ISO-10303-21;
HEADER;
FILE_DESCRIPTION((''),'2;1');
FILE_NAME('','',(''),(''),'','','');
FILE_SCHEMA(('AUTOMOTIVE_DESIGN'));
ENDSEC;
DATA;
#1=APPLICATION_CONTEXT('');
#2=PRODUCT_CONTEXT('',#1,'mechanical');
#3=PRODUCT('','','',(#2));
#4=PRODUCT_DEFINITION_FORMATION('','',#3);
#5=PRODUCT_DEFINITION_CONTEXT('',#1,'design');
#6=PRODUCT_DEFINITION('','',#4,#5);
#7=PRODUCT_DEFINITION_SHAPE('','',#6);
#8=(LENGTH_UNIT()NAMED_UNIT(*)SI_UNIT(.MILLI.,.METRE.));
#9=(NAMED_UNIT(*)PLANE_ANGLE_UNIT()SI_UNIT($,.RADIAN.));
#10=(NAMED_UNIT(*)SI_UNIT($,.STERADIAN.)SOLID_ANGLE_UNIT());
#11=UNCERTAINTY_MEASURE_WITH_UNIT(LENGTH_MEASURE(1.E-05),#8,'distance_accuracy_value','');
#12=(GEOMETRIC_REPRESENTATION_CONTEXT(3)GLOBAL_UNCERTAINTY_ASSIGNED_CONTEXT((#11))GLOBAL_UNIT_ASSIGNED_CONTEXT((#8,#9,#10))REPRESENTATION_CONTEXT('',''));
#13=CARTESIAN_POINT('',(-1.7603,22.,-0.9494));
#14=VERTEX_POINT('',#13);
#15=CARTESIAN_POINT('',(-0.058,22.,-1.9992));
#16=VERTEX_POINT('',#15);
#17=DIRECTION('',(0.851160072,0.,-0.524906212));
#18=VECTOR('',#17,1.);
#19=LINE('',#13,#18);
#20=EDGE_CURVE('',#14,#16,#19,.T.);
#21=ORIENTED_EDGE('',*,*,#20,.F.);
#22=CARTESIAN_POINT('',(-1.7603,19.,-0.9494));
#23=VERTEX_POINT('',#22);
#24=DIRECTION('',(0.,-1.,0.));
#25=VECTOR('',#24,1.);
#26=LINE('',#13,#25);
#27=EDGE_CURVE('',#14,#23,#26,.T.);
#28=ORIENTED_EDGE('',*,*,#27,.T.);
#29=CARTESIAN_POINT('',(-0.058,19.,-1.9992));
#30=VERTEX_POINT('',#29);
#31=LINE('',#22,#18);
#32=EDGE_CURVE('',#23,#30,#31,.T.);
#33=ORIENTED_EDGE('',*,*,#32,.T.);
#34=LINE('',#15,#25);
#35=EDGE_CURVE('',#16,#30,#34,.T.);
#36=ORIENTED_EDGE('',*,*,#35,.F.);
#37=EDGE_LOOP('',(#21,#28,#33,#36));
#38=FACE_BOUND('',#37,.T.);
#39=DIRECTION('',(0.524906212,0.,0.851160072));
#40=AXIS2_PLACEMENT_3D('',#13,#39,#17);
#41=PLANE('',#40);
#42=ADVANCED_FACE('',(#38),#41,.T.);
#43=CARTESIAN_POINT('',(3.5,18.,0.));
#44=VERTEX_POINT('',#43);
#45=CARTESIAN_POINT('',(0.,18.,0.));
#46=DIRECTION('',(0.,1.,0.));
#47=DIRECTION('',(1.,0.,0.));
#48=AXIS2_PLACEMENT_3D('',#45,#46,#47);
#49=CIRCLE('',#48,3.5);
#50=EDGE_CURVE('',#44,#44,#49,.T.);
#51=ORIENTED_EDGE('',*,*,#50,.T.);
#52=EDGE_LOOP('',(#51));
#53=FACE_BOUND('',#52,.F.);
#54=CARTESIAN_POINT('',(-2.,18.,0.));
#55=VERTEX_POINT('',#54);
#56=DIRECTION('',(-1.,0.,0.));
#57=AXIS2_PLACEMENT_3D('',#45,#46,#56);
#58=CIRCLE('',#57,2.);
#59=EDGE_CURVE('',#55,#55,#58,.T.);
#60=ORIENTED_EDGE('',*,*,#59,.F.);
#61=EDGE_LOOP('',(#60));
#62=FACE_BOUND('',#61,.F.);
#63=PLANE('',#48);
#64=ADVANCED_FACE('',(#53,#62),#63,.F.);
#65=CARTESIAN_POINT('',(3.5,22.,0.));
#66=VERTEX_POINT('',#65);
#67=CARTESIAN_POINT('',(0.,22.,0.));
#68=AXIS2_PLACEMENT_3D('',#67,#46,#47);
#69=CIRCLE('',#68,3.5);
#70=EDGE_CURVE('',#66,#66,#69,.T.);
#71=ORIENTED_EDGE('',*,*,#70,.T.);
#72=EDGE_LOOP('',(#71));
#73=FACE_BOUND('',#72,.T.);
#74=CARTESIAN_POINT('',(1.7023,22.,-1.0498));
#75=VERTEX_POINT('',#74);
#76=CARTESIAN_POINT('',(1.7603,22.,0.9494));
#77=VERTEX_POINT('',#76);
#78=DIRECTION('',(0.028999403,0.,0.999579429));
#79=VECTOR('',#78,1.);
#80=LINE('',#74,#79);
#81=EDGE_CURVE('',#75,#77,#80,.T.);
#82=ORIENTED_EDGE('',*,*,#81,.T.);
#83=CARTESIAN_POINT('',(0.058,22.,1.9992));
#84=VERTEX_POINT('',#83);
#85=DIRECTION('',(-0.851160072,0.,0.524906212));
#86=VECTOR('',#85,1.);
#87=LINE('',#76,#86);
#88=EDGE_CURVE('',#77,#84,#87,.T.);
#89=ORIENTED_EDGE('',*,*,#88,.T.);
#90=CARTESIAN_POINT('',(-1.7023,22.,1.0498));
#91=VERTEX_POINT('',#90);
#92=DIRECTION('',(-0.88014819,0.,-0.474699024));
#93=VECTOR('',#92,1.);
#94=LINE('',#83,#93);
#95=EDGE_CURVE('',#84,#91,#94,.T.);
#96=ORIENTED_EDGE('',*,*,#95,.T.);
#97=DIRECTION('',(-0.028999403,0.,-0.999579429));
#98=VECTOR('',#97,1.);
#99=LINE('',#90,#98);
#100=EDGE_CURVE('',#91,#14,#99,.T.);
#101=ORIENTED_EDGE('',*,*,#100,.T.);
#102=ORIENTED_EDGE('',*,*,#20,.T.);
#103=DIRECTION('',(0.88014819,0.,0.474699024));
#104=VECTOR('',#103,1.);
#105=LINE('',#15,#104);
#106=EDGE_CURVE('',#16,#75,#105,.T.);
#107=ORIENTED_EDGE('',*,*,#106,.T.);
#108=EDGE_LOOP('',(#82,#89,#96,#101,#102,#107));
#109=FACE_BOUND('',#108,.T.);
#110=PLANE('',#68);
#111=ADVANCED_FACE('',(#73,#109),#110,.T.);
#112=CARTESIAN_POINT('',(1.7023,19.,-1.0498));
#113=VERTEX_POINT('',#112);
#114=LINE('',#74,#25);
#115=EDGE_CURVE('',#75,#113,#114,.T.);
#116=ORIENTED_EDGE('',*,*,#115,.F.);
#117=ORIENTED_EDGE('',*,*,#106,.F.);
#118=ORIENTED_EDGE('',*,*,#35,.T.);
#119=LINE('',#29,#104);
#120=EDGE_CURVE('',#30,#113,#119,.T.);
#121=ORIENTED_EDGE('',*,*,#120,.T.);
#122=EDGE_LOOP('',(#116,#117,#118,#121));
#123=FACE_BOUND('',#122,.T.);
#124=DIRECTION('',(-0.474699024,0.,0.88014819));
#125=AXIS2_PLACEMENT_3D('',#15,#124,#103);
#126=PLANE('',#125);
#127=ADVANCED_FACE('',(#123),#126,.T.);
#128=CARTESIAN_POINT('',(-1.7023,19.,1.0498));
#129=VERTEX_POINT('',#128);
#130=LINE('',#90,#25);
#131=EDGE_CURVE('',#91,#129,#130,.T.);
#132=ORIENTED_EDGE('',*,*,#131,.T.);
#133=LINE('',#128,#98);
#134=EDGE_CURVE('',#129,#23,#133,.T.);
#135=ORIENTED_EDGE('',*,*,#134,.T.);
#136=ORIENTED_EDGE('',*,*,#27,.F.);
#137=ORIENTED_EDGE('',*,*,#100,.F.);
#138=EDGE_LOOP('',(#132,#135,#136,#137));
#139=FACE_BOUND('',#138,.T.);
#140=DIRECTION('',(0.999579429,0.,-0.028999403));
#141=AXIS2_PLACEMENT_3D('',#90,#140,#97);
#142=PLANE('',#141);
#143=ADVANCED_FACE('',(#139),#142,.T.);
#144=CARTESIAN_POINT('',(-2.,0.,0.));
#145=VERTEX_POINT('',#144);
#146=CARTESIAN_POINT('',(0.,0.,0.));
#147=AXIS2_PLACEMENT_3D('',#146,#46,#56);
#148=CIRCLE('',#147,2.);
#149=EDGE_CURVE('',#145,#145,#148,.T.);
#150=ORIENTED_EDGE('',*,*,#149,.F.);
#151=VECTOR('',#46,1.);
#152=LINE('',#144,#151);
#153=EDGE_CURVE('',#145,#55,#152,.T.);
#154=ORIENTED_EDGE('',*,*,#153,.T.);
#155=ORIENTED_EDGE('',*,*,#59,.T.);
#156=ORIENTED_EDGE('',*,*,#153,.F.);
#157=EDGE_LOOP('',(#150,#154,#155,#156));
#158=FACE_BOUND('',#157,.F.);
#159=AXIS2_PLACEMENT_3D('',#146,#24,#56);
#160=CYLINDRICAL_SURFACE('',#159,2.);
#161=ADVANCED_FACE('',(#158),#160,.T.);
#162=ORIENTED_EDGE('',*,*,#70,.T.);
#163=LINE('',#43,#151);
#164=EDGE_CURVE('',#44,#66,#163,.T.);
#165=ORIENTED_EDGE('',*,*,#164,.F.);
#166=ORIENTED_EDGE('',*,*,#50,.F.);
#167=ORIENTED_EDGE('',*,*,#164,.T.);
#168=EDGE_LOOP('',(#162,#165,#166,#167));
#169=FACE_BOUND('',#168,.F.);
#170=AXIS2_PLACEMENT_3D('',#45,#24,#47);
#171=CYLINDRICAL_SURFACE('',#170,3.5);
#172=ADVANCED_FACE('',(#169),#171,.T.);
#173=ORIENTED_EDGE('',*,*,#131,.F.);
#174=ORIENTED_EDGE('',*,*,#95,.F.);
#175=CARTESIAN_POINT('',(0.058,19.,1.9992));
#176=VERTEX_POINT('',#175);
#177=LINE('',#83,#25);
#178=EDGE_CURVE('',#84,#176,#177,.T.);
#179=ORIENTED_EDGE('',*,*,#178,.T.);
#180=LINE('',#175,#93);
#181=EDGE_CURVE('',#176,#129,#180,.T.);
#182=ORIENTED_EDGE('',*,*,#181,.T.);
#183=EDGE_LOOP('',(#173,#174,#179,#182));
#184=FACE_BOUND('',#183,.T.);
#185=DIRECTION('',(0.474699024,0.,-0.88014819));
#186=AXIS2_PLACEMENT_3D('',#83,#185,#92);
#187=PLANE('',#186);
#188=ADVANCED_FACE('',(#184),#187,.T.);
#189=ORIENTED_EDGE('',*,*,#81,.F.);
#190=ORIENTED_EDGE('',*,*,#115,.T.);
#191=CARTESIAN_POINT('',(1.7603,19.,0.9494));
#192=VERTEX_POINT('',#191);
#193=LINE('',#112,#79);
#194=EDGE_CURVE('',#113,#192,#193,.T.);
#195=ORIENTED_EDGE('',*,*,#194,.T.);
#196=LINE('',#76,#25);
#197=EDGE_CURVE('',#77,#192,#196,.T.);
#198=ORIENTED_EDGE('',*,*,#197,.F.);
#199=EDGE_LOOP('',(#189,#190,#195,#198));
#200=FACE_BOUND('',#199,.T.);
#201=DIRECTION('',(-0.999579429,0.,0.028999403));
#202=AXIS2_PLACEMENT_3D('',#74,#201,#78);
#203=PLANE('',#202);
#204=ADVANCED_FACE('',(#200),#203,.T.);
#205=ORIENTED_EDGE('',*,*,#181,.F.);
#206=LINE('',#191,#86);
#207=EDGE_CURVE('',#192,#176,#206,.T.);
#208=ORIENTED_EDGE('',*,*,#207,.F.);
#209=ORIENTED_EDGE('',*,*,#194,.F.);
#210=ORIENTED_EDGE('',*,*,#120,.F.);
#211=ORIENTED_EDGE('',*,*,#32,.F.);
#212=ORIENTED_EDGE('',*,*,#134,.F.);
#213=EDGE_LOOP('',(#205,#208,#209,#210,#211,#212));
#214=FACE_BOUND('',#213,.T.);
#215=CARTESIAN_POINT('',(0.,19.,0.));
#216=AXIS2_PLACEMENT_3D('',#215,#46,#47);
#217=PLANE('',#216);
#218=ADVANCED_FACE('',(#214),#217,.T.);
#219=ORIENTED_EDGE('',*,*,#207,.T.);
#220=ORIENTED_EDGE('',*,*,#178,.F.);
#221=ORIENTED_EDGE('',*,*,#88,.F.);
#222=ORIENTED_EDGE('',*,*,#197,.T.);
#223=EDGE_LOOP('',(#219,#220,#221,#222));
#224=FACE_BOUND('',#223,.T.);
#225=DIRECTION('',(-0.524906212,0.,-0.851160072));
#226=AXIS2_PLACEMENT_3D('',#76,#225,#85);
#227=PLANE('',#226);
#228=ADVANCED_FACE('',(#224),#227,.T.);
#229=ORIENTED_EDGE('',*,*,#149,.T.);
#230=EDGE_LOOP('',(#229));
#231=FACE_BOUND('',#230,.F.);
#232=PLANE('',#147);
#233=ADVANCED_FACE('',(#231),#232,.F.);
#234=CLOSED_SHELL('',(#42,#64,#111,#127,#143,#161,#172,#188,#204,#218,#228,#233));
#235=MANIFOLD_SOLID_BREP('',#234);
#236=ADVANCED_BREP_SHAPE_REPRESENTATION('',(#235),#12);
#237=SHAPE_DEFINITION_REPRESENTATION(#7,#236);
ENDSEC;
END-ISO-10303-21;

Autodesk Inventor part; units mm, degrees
ref_plane "YZ Plane" through (0, 0, 0) normal (1, 0, 0) x (0, 1, 0)
ref_plane "XZ Plane" through (0, 0, 0) normal (0, 1, 0) x (-1, 0, 0)
ref_plane "XY Plane" through (0, 0, 0) normal (0, 0, 1) x (1, 0, 0)
sketch "Sketch1" plane through (0, 0, 0) normal (0, 1, 0) x (-1, 0, 0)
  circle A0 centre (0, 0) radius 2
  dimension "d0" = 4
extrude "Extrusion1" add sketch "Sketch1" along normal blind 18
sketch "Sketch2" plane through (0, 18, 0) normal (0, 1, 0) x (1, 0, 0)
  circle A0 centre (0, 0) radius 3.5
  dimension "d5" = 7
thread "Thread1" size "M4x0.7" class "6g" standard "ANSI Metric M Profile" full length
extrude "Extrusion2" add sketch "Sketch2" along normal blind 4
sketch "Sketch3" plane through (0, 22, 0) normal (0, 1, 0) x (1, 0, 0)
  circle A0 centre (0, 0) radius 3.5 projected
  circle A1 centre (0, 0) radius 2 projected
  line L0 (-1.7603, 0.9494) -> (-0.058, 1.9992)
  line L1 (-0.058, 1.9992) -> (1.7023, 1.0498)
  line L2 (1.7023, 1.0498) -> (1.7603, -0.9494)
  line L3 (1.7603, -0.9494) -> (0.058, -1.9992)
  line L4 (0.058, -1.9992) -> (-1.7023, -1.0498)
  line L5 (-1.7023, -1.0498) -> (-1.7603, 0.9494)
extrude "Extrusion3" cut sketch "Sketch3" against normal blind 3 contours L2 L3 L4 L5 L0 L1
properties part number "M4_18mm" material "Steel, Alloy"
